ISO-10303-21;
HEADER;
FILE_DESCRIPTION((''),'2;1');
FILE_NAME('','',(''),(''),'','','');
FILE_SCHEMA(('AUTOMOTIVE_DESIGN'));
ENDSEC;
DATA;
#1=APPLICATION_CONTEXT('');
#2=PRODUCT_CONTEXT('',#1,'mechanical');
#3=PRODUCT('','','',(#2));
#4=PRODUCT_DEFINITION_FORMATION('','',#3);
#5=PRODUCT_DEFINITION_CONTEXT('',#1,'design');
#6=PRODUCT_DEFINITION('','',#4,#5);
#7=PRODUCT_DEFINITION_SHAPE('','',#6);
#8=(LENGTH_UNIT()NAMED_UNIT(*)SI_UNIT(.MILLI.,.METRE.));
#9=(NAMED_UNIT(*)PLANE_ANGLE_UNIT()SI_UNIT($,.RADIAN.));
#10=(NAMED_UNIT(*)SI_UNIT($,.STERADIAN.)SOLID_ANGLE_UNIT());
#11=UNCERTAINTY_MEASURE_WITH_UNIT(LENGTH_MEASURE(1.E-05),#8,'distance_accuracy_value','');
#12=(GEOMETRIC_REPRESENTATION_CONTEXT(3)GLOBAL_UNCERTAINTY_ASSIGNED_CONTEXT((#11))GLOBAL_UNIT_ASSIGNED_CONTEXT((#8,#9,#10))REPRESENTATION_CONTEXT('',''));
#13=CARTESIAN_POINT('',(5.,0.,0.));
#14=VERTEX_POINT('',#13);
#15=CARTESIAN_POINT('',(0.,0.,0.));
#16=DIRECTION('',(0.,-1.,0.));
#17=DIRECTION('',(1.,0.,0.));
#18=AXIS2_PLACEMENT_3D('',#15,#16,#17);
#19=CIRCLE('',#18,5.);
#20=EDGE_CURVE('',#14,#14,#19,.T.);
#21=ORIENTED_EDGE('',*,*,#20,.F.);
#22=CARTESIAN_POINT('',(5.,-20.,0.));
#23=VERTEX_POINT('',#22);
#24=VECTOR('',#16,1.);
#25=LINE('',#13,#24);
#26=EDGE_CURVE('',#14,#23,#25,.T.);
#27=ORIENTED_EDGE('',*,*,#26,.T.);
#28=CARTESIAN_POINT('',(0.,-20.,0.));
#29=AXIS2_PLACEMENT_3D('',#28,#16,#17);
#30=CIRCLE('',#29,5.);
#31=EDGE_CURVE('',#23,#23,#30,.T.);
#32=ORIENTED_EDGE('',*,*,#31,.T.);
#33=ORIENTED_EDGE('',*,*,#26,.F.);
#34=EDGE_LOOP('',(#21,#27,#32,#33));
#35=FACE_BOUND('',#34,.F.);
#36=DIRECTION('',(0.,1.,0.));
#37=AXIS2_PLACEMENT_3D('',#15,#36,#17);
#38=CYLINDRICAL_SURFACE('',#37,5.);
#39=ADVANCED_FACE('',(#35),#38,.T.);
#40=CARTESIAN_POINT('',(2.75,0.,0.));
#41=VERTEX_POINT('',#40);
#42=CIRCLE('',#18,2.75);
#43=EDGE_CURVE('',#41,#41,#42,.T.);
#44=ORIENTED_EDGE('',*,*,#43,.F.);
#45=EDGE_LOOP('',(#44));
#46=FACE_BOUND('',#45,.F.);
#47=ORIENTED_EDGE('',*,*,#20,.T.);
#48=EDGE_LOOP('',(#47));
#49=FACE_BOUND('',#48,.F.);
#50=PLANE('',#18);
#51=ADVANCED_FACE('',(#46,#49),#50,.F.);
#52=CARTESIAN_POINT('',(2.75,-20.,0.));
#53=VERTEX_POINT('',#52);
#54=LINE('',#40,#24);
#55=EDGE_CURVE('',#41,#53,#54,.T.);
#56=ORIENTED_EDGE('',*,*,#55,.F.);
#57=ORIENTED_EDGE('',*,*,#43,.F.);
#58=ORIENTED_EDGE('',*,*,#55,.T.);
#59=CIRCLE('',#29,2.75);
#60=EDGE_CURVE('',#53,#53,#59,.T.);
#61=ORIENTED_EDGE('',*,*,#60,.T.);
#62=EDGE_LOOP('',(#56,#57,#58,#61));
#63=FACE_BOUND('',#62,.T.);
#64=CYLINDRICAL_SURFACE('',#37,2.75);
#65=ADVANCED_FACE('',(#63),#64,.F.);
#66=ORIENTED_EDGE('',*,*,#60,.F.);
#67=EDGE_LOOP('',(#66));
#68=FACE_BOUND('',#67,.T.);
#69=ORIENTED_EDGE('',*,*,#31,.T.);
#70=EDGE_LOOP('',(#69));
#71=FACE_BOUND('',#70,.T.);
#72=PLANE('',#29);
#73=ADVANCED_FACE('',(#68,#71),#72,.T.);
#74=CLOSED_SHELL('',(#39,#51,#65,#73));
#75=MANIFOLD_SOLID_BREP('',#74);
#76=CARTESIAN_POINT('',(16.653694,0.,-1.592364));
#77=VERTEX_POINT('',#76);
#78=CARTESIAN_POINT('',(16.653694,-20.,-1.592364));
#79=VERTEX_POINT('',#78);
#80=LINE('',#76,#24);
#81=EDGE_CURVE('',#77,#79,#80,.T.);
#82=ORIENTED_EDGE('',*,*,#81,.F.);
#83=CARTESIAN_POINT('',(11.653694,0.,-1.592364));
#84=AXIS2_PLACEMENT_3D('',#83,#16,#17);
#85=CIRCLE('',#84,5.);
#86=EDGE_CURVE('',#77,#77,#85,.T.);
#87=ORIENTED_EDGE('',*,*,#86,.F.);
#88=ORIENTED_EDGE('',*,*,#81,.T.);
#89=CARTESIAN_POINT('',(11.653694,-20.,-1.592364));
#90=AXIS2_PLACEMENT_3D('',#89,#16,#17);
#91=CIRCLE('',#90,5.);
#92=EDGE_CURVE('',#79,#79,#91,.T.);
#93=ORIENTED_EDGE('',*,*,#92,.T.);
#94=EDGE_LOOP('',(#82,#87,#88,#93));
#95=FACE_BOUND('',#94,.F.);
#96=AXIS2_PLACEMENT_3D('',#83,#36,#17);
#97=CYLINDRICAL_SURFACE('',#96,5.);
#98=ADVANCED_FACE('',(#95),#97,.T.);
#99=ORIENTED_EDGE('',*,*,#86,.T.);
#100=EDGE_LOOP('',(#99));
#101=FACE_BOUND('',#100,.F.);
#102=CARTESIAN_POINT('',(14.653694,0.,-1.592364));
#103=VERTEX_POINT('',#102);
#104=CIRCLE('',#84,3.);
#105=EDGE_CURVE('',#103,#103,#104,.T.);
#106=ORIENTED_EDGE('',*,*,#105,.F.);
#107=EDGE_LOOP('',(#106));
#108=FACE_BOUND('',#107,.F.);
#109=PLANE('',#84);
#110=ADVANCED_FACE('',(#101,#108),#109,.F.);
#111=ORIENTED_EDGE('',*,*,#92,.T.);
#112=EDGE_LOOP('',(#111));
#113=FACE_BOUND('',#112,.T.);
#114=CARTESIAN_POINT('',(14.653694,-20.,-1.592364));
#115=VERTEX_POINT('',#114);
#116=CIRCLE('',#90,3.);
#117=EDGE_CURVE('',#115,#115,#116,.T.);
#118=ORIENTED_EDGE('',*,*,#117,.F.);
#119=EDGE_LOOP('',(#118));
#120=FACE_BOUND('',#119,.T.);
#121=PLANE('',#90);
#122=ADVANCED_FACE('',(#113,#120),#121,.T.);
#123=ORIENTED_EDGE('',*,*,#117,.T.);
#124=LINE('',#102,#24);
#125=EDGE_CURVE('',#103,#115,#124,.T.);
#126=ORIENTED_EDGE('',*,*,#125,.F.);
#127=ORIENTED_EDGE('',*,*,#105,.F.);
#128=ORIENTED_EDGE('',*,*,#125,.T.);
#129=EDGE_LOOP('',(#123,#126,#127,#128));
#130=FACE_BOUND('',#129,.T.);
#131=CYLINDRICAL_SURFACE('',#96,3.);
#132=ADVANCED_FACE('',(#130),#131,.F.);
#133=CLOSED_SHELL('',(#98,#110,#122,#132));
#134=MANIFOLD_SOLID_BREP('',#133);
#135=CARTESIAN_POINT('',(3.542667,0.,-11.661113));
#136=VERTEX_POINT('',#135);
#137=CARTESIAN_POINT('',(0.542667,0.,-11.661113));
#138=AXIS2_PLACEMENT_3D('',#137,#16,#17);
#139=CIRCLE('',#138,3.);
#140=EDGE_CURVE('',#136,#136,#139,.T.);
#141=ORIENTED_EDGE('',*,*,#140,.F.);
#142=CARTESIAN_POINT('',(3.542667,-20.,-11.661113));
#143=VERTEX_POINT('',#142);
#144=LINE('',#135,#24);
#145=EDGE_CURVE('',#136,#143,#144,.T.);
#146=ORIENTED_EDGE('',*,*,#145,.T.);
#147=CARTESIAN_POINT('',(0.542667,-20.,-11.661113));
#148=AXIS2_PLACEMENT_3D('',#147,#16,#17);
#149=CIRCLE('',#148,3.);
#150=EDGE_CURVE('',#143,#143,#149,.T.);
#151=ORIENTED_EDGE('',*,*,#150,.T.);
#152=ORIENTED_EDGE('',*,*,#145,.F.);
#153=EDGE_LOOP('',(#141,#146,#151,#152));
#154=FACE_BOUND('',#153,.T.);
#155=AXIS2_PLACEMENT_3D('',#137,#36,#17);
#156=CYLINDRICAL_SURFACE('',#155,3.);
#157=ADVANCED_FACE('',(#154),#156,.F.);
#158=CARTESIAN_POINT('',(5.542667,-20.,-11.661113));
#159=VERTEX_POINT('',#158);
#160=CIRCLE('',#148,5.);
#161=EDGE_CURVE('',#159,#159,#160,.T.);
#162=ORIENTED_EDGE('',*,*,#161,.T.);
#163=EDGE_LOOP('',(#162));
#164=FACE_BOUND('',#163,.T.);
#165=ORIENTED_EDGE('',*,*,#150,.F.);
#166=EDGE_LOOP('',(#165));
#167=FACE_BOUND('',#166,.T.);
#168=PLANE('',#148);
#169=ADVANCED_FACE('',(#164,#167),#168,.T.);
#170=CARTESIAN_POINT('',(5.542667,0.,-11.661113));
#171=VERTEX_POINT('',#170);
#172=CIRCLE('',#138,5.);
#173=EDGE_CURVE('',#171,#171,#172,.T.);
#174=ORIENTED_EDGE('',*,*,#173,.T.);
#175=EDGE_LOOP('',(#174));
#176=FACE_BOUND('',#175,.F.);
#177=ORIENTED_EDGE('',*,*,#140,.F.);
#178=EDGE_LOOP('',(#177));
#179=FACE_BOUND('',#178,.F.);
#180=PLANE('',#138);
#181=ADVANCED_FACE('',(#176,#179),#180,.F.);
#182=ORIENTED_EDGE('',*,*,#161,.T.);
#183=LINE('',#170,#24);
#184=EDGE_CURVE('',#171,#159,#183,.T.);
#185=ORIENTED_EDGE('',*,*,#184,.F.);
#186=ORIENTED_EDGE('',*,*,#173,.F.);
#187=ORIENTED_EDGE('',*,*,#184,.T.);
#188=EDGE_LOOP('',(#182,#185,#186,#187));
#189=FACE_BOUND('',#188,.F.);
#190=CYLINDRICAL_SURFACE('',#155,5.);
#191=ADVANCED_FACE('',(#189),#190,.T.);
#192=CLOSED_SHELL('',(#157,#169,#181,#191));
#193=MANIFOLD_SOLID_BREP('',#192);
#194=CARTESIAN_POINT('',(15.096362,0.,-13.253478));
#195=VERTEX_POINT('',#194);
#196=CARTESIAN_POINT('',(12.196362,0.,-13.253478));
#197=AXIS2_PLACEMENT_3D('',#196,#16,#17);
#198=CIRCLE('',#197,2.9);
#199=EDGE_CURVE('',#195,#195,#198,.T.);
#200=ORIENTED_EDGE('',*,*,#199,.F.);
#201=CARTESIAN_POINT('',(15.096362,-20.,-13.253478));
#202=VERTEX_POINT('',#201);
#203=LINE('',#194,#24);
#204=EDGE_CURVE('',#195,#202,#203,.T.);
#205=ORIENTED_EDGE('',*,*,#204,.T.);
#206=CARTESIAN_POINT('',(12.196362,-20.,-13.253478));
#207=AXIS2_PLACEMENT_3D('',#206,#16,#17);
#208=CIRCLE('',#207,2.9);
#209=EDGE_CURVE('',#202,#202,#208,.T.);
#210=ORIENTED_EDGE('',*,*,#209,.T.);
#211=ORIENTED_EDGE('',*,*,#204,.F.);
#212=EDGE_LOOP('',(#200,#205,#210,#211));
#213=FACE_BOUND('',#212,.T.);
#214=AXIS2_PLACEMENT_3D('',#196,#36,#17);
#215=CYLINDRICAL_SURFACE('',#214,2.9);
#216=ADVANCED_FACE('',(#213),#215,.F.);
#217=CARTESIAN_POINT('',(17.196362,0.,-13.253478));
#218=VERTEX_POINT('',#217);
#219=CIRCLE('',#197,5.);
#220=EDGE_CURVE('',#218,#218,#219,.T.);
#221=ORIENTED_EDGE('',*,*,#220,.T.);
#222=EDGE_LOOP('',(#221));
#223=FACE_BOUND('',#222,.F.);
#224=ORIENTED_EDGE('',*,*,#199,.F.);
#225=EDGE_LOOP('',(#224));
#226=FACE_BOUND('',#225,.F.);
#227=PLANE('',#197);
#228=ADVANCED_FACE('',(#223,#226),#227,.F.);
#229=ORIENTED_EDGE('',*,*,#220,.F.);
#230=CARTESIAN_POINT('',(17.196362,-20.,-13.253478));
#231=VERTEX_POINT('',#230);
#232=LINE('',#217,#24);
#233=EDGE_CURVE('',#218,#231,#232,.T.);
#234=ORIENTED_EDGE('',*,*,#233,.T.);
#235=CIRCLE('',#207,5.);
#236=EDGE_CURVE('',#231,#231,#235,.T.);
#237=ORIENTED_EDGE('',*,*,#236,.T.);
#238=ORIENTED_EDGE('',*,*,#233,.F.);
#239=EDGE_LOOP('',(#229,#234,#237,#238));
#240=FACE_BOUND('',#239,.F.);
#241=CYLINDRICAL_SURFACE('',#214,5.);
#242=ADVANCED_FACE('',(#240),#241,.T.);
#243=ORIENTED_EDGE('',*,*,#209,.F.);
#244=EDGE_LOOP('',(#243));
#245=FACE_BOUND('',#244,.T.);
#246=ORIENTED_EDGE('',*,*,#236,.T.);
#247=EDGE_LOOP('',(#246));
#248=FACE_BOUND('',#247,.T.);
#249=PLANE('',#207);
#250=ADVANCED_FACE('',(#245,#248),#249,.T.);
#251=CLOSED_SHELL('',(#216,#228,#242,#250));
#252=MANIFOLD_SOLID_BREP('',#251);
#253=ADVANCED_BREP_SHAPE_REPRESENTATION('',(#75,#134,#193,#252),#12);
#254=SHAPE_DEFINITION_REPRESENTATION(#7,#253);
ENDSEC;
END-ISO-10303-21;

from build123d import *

# Parameters (mm, degrees)
F0_R     = 5
F0_R_2   = 2.75
F0_R_3   = 3
F0_R_4   = 2.9
F1_DEPTH = 20


with BuildPart() as f1:
    # F0 (on Front) → F1 (new body)
    with BuildSketch(Plane.XZ):
        Circle(F0_R)
        Circle(F0_R_2, mode=Mode.SUBTRACT)
        with Locations((11.653694, -1.592364)):
            Circle(F0_R)
        with Locations((11.653694, -1.592364)):
            Circle(F0_R_3, mode=Mode.SUBTRACT)
        with Locations((0.542667, -11.661113)):
            Circle(F0_R)
        with Locations((0.542667, -11.661113)):
            Circle(F0_R_3, mode=Mode.SUBTRACT)
        with Locations((12.196362, -13.253478)):
            Circle(F0_R)
        with Locations((12.196362, -13.253478)):
            Circle(F0_R_4, mode=Mode.SUBTRACT)
    extrude(amount=F1_DEPTH)


solid = f1.part
